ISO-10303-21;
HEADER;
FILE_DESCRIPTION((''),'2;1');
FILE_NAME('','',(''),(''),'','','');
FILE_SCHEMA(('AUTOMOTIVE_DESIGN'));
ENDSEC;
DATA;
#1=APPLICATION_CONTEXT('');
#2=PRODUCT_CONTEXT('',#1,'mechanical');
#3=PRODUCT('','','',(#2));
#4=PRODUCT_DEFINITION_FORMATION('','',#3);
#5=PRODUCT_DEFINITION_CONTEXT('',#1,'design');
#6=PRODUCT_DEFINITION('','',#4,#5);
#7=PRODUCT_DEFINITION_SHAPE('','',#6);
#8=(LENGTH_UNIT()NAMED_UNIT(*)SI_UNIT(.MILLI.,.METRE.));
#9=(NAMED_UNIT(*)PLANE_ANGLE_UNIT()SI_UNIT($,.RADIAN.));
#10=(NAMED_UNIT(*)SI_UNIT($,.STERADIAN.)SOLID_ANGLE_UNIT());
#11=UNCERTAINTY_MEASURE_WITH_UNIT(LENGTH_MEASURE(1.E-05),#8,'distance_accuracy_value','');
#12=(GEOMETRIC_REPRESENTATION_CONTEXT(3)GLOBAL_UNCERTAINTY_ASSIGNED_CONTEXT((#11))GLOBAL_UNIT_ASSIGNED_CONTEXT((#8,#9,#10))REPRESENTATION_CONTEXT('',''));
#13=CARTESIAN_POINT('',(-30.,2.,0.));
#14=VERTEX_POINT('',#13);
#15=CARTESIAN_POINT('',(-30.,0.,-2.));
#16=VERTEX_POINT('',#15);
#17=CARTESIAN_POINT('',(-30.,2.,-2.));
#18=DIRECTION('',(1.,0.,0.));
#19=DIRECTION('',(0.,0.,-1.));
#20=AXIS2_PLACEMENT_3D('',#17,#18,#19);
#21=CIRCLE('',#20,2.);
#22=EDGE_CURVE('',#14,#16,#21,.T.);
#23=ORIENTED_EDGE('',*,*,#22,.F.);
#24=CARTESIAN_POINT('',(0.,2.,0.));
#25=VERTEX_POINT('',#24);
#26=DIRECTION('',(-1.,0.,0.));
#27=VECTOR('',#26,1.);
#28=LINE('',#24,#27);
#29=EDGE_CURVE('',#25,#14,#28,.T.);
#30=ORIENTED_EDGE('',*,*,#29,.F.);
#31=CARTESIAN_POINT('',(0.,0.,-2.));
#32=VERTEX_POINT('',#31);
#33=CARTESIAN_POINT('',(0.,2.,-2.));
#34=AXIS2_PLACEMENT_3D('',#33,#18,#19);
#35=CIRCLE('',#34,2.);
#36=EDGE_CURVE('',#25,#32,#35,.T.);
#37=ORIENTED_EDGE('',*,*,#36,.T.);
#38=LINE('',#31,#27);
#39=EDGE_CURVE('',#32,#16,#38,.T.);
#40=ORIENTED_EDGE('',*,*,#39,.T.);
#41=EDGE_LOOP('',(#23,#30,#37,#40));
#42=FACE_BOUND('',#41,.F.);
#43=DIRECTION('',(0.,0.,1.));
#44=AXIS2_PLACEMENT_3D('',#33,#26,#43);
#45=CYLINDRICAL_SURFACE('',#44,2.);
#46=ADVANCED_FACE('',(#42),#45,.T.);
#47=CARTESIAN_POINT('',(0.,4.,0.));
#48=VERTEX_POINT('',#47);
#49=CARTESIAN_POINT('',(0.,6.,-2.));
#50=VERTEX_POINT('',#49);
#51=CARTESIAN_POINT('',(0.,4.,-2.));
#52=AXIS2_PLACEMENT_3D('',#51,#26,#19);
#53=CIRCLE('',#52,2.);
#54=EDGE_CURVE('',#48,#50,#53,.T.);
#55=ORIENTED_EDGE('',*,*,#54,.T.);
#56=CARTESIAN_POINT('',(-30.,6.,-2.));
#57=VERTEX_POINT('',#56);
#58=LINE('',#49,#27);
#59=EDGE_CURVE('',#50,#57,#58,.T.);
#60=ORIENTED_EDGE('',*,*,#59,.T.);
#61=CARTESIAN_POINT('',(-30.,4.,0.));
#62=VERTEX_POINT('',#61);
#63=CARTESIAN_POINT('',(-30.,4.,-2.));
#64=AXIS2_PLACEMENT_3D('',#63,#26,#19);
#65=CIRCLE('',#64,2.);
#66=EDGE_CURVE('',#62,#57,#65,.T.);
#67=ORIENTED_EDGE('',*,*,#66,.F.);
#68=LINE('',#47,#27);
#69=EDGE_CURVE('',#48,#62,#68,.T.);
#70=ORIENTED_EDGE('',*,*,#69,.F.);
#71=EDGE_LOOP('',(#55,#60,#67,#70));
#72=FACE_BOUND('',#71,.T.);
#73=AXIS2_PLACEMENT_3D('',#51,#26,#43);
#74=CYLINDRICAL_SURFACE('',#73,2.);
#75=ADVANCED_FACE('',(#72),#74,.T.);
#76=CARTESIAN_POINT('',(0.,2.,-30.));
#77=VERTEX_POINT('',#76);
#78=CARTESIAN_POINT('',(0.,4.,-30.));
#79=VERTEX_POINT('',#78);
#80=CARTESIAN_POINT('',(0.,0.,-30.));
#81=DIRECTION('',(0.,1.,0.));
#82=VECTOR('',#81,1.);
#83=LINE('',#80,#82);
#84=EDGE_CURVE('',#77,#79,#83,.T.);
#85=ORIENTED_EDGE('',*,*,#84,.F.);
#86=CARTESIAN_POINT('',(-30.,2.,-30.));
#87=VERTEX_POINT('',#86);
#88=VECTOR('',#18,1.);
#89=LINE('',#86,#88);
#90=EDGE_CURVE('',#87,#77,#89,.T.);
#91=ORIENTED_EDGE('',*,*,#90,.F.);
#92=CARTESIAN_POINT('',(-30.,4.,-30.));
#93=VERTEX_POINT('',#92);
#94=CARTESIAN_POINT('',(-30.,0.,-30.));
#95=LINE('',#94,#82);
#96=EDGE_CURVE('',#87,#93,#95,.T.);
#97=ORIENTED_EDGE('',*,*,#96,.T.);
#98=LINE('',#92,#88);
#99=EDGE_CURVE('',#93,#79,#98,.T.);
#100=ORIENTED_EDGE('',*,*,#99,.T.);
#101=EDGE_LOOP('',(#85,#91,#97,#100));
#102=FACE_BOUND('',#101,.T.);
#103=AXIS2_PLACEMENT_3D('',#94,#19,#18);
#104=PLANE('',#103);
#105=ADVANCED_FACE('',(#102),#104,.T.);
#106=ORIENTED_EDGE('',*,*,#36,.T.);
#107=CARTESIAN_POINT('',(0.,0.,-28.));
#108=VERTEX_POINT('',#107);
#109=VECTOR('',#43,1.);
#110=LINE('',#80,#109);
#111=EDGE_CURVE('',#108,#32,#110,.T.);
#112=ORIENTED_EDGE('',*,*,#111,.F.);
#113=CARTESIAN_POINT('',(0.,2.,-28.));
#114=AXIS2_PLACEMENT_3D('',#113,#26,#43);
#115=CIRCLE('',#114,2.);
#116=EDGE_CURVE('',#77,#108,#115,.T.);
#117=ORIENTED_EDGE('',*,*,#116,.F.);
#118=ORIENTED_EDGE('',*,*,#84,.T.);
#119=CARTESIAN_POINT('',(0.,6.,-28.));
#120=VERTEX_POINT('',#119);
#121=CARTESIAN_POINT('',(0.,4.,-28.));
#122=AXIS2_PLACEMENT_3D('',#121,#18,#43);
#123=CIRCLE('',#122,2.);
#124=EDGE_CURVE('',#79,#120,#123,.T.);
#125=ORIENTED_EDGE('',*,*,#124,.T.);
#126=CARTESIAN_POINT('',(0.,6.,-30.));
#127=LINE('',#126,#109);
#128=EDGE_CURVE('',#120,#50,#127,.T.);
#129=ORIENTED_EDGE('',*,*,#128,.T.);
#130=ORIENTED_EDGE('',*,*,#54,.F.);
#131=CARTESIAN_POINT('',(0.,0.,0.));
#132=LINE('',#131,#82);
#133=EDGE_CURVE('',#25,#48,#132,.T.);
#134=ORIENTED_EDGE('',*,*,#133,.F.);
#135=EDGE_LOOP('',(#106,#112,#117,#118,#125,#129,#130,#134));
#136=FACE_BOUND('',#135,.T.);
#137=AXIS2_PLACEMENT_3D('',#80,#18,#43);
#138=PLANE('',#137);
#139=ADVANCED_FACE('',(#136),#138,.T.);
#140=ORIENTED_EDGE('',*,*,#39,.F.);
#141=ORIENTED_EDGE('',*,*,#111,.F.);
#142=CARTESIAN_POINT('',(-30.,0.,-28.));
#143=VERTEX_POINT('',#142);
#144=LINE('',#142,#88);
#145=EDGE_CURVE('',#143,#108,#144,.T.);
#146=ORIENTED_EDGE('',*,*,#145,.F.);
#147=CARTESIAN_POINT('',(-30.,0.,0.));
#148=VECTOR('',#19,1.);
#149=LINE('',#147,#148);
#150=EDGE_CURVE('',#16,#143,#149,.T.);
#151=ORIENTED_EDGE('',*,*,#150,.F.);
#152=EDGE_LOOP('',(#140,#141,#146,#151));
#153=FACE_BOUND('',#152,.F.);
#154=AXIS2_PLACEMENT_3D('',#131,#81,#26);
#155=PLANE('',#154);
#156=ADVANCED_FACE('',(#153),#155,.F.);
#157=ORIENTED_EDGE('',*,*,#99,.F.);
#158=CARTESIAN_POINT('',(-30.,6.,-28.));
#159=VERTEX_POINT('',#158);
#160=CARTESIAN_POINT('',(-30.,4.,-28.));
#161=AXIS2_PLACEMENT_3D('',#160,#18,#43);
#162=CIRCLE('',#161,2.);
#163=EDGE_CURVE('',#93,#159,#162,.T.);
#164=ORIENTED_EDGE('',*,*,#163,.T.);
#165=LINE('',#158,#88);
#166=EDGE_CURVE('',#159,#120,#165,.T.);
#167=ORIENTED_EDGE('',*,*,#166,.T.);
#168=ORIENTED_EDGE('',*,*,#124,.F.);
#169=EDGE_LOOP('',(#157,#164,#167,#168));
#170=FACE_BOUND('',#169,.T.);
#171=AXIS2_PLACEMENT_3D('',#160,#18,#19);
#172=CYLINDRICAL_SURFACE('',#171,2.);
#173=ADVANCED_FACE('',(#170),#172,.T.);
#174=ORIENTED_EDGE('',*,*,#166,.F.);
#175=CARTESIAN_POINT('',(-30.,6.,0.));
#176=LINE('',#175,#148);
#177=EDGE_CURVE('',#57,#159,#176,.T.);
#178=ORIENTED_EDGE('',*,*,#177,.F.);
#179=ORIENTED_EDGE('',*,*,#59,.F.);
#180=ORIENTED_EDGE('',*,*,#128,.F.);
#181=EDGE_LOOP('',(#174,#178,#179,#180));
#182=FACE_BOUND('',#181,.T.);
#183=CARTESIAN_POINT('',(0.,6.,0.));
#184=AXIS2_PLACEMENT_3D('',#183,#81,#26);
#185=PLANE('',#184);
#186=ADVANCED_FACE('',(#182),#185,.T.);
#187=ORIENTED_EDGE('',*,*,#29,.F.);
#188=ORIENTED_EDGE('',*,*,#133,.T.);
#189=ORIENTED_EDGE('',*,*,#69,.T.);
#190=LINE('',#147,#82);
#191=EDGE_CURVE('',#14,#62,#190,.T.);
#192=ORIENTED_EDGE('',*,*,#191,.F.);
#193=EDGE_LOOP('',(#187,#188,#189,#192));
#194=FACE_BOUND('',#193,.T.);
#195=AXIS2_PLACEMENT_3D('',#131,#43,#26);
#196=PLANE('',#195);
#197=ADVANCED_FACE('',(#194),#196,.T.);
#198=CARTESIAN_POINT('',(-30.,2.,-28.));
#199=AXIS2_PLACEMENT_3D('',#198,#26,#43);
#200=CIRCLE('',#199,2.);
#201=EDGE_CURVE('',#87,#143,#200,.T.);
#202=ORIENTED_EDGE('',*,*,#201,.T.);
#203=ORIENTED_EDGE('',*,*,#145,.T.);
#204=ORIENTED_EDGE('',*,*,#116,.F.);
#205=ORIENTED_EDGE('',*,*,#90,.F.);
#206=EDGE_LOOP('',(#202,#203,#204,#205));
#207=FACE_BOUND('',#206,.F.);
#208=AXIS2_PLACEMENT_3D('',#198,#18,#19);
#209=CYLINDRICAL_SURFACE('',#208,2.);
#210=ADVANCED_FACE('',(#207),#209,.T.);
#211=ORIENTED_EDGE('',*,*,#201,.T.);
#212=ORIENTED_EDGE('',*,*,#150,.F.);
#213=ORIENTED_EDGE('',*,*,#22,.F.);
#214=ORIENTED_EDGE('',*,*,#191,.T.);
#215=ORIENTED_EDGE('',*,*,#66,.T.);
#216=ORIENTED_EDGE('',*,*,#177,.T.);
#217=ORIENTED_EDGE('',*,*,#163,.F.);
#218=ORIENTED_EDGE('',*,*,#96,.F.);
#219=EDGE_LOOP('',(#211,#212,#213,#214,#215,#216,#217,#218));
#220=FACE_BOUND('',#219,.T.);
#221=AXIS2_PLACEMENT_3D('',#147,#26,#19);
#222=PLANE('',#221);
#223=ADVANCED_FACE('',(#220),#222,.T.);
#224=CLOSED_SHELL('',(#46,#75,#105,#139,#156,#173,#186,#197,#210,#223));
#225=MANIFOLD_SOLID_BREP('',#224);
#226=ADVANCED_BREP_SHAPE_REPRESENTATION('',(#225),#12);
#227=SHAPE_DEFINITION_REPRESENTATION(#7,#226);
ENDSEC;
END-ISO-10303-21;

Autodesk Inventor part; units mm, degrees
ref_plane "YZ Plane" through (0, 0, 0) normal (1, 0, 0) x (0, 1, 0)
ref_plane "XZ Plane" through (0, 0, 0) normal (0, 1, 0) x (-1, 0, 0)
ref_plane "XY Plane" through (0, 0, 0) normal (0, 0, 1) x (1, 0, 0)
sketch "Szkic1" plane through (0, 0, 0) normal (0, 1, 0) x (-1, 0, 0)
  line L0 (0, 0) -> (30, 0)
  line L1 (30, 0) -> (30, -30)
  line L2 (30, -30) -> (0, -30)
  line L3 (0, -30) -> (0, 0)
  dimension "d0" = 30
  dimension "d1" = 30
extrude "Wyciągnięcie proste1" add sketch "Szkic1" along normal blind 6
fillet "Zaokrąglenie1" radius 2 4 edges at (-15, 6, 0) (-15, 0, 0) (-15, 6, -30) (-15, 0, -30)
properties part number "bateria_prop"
